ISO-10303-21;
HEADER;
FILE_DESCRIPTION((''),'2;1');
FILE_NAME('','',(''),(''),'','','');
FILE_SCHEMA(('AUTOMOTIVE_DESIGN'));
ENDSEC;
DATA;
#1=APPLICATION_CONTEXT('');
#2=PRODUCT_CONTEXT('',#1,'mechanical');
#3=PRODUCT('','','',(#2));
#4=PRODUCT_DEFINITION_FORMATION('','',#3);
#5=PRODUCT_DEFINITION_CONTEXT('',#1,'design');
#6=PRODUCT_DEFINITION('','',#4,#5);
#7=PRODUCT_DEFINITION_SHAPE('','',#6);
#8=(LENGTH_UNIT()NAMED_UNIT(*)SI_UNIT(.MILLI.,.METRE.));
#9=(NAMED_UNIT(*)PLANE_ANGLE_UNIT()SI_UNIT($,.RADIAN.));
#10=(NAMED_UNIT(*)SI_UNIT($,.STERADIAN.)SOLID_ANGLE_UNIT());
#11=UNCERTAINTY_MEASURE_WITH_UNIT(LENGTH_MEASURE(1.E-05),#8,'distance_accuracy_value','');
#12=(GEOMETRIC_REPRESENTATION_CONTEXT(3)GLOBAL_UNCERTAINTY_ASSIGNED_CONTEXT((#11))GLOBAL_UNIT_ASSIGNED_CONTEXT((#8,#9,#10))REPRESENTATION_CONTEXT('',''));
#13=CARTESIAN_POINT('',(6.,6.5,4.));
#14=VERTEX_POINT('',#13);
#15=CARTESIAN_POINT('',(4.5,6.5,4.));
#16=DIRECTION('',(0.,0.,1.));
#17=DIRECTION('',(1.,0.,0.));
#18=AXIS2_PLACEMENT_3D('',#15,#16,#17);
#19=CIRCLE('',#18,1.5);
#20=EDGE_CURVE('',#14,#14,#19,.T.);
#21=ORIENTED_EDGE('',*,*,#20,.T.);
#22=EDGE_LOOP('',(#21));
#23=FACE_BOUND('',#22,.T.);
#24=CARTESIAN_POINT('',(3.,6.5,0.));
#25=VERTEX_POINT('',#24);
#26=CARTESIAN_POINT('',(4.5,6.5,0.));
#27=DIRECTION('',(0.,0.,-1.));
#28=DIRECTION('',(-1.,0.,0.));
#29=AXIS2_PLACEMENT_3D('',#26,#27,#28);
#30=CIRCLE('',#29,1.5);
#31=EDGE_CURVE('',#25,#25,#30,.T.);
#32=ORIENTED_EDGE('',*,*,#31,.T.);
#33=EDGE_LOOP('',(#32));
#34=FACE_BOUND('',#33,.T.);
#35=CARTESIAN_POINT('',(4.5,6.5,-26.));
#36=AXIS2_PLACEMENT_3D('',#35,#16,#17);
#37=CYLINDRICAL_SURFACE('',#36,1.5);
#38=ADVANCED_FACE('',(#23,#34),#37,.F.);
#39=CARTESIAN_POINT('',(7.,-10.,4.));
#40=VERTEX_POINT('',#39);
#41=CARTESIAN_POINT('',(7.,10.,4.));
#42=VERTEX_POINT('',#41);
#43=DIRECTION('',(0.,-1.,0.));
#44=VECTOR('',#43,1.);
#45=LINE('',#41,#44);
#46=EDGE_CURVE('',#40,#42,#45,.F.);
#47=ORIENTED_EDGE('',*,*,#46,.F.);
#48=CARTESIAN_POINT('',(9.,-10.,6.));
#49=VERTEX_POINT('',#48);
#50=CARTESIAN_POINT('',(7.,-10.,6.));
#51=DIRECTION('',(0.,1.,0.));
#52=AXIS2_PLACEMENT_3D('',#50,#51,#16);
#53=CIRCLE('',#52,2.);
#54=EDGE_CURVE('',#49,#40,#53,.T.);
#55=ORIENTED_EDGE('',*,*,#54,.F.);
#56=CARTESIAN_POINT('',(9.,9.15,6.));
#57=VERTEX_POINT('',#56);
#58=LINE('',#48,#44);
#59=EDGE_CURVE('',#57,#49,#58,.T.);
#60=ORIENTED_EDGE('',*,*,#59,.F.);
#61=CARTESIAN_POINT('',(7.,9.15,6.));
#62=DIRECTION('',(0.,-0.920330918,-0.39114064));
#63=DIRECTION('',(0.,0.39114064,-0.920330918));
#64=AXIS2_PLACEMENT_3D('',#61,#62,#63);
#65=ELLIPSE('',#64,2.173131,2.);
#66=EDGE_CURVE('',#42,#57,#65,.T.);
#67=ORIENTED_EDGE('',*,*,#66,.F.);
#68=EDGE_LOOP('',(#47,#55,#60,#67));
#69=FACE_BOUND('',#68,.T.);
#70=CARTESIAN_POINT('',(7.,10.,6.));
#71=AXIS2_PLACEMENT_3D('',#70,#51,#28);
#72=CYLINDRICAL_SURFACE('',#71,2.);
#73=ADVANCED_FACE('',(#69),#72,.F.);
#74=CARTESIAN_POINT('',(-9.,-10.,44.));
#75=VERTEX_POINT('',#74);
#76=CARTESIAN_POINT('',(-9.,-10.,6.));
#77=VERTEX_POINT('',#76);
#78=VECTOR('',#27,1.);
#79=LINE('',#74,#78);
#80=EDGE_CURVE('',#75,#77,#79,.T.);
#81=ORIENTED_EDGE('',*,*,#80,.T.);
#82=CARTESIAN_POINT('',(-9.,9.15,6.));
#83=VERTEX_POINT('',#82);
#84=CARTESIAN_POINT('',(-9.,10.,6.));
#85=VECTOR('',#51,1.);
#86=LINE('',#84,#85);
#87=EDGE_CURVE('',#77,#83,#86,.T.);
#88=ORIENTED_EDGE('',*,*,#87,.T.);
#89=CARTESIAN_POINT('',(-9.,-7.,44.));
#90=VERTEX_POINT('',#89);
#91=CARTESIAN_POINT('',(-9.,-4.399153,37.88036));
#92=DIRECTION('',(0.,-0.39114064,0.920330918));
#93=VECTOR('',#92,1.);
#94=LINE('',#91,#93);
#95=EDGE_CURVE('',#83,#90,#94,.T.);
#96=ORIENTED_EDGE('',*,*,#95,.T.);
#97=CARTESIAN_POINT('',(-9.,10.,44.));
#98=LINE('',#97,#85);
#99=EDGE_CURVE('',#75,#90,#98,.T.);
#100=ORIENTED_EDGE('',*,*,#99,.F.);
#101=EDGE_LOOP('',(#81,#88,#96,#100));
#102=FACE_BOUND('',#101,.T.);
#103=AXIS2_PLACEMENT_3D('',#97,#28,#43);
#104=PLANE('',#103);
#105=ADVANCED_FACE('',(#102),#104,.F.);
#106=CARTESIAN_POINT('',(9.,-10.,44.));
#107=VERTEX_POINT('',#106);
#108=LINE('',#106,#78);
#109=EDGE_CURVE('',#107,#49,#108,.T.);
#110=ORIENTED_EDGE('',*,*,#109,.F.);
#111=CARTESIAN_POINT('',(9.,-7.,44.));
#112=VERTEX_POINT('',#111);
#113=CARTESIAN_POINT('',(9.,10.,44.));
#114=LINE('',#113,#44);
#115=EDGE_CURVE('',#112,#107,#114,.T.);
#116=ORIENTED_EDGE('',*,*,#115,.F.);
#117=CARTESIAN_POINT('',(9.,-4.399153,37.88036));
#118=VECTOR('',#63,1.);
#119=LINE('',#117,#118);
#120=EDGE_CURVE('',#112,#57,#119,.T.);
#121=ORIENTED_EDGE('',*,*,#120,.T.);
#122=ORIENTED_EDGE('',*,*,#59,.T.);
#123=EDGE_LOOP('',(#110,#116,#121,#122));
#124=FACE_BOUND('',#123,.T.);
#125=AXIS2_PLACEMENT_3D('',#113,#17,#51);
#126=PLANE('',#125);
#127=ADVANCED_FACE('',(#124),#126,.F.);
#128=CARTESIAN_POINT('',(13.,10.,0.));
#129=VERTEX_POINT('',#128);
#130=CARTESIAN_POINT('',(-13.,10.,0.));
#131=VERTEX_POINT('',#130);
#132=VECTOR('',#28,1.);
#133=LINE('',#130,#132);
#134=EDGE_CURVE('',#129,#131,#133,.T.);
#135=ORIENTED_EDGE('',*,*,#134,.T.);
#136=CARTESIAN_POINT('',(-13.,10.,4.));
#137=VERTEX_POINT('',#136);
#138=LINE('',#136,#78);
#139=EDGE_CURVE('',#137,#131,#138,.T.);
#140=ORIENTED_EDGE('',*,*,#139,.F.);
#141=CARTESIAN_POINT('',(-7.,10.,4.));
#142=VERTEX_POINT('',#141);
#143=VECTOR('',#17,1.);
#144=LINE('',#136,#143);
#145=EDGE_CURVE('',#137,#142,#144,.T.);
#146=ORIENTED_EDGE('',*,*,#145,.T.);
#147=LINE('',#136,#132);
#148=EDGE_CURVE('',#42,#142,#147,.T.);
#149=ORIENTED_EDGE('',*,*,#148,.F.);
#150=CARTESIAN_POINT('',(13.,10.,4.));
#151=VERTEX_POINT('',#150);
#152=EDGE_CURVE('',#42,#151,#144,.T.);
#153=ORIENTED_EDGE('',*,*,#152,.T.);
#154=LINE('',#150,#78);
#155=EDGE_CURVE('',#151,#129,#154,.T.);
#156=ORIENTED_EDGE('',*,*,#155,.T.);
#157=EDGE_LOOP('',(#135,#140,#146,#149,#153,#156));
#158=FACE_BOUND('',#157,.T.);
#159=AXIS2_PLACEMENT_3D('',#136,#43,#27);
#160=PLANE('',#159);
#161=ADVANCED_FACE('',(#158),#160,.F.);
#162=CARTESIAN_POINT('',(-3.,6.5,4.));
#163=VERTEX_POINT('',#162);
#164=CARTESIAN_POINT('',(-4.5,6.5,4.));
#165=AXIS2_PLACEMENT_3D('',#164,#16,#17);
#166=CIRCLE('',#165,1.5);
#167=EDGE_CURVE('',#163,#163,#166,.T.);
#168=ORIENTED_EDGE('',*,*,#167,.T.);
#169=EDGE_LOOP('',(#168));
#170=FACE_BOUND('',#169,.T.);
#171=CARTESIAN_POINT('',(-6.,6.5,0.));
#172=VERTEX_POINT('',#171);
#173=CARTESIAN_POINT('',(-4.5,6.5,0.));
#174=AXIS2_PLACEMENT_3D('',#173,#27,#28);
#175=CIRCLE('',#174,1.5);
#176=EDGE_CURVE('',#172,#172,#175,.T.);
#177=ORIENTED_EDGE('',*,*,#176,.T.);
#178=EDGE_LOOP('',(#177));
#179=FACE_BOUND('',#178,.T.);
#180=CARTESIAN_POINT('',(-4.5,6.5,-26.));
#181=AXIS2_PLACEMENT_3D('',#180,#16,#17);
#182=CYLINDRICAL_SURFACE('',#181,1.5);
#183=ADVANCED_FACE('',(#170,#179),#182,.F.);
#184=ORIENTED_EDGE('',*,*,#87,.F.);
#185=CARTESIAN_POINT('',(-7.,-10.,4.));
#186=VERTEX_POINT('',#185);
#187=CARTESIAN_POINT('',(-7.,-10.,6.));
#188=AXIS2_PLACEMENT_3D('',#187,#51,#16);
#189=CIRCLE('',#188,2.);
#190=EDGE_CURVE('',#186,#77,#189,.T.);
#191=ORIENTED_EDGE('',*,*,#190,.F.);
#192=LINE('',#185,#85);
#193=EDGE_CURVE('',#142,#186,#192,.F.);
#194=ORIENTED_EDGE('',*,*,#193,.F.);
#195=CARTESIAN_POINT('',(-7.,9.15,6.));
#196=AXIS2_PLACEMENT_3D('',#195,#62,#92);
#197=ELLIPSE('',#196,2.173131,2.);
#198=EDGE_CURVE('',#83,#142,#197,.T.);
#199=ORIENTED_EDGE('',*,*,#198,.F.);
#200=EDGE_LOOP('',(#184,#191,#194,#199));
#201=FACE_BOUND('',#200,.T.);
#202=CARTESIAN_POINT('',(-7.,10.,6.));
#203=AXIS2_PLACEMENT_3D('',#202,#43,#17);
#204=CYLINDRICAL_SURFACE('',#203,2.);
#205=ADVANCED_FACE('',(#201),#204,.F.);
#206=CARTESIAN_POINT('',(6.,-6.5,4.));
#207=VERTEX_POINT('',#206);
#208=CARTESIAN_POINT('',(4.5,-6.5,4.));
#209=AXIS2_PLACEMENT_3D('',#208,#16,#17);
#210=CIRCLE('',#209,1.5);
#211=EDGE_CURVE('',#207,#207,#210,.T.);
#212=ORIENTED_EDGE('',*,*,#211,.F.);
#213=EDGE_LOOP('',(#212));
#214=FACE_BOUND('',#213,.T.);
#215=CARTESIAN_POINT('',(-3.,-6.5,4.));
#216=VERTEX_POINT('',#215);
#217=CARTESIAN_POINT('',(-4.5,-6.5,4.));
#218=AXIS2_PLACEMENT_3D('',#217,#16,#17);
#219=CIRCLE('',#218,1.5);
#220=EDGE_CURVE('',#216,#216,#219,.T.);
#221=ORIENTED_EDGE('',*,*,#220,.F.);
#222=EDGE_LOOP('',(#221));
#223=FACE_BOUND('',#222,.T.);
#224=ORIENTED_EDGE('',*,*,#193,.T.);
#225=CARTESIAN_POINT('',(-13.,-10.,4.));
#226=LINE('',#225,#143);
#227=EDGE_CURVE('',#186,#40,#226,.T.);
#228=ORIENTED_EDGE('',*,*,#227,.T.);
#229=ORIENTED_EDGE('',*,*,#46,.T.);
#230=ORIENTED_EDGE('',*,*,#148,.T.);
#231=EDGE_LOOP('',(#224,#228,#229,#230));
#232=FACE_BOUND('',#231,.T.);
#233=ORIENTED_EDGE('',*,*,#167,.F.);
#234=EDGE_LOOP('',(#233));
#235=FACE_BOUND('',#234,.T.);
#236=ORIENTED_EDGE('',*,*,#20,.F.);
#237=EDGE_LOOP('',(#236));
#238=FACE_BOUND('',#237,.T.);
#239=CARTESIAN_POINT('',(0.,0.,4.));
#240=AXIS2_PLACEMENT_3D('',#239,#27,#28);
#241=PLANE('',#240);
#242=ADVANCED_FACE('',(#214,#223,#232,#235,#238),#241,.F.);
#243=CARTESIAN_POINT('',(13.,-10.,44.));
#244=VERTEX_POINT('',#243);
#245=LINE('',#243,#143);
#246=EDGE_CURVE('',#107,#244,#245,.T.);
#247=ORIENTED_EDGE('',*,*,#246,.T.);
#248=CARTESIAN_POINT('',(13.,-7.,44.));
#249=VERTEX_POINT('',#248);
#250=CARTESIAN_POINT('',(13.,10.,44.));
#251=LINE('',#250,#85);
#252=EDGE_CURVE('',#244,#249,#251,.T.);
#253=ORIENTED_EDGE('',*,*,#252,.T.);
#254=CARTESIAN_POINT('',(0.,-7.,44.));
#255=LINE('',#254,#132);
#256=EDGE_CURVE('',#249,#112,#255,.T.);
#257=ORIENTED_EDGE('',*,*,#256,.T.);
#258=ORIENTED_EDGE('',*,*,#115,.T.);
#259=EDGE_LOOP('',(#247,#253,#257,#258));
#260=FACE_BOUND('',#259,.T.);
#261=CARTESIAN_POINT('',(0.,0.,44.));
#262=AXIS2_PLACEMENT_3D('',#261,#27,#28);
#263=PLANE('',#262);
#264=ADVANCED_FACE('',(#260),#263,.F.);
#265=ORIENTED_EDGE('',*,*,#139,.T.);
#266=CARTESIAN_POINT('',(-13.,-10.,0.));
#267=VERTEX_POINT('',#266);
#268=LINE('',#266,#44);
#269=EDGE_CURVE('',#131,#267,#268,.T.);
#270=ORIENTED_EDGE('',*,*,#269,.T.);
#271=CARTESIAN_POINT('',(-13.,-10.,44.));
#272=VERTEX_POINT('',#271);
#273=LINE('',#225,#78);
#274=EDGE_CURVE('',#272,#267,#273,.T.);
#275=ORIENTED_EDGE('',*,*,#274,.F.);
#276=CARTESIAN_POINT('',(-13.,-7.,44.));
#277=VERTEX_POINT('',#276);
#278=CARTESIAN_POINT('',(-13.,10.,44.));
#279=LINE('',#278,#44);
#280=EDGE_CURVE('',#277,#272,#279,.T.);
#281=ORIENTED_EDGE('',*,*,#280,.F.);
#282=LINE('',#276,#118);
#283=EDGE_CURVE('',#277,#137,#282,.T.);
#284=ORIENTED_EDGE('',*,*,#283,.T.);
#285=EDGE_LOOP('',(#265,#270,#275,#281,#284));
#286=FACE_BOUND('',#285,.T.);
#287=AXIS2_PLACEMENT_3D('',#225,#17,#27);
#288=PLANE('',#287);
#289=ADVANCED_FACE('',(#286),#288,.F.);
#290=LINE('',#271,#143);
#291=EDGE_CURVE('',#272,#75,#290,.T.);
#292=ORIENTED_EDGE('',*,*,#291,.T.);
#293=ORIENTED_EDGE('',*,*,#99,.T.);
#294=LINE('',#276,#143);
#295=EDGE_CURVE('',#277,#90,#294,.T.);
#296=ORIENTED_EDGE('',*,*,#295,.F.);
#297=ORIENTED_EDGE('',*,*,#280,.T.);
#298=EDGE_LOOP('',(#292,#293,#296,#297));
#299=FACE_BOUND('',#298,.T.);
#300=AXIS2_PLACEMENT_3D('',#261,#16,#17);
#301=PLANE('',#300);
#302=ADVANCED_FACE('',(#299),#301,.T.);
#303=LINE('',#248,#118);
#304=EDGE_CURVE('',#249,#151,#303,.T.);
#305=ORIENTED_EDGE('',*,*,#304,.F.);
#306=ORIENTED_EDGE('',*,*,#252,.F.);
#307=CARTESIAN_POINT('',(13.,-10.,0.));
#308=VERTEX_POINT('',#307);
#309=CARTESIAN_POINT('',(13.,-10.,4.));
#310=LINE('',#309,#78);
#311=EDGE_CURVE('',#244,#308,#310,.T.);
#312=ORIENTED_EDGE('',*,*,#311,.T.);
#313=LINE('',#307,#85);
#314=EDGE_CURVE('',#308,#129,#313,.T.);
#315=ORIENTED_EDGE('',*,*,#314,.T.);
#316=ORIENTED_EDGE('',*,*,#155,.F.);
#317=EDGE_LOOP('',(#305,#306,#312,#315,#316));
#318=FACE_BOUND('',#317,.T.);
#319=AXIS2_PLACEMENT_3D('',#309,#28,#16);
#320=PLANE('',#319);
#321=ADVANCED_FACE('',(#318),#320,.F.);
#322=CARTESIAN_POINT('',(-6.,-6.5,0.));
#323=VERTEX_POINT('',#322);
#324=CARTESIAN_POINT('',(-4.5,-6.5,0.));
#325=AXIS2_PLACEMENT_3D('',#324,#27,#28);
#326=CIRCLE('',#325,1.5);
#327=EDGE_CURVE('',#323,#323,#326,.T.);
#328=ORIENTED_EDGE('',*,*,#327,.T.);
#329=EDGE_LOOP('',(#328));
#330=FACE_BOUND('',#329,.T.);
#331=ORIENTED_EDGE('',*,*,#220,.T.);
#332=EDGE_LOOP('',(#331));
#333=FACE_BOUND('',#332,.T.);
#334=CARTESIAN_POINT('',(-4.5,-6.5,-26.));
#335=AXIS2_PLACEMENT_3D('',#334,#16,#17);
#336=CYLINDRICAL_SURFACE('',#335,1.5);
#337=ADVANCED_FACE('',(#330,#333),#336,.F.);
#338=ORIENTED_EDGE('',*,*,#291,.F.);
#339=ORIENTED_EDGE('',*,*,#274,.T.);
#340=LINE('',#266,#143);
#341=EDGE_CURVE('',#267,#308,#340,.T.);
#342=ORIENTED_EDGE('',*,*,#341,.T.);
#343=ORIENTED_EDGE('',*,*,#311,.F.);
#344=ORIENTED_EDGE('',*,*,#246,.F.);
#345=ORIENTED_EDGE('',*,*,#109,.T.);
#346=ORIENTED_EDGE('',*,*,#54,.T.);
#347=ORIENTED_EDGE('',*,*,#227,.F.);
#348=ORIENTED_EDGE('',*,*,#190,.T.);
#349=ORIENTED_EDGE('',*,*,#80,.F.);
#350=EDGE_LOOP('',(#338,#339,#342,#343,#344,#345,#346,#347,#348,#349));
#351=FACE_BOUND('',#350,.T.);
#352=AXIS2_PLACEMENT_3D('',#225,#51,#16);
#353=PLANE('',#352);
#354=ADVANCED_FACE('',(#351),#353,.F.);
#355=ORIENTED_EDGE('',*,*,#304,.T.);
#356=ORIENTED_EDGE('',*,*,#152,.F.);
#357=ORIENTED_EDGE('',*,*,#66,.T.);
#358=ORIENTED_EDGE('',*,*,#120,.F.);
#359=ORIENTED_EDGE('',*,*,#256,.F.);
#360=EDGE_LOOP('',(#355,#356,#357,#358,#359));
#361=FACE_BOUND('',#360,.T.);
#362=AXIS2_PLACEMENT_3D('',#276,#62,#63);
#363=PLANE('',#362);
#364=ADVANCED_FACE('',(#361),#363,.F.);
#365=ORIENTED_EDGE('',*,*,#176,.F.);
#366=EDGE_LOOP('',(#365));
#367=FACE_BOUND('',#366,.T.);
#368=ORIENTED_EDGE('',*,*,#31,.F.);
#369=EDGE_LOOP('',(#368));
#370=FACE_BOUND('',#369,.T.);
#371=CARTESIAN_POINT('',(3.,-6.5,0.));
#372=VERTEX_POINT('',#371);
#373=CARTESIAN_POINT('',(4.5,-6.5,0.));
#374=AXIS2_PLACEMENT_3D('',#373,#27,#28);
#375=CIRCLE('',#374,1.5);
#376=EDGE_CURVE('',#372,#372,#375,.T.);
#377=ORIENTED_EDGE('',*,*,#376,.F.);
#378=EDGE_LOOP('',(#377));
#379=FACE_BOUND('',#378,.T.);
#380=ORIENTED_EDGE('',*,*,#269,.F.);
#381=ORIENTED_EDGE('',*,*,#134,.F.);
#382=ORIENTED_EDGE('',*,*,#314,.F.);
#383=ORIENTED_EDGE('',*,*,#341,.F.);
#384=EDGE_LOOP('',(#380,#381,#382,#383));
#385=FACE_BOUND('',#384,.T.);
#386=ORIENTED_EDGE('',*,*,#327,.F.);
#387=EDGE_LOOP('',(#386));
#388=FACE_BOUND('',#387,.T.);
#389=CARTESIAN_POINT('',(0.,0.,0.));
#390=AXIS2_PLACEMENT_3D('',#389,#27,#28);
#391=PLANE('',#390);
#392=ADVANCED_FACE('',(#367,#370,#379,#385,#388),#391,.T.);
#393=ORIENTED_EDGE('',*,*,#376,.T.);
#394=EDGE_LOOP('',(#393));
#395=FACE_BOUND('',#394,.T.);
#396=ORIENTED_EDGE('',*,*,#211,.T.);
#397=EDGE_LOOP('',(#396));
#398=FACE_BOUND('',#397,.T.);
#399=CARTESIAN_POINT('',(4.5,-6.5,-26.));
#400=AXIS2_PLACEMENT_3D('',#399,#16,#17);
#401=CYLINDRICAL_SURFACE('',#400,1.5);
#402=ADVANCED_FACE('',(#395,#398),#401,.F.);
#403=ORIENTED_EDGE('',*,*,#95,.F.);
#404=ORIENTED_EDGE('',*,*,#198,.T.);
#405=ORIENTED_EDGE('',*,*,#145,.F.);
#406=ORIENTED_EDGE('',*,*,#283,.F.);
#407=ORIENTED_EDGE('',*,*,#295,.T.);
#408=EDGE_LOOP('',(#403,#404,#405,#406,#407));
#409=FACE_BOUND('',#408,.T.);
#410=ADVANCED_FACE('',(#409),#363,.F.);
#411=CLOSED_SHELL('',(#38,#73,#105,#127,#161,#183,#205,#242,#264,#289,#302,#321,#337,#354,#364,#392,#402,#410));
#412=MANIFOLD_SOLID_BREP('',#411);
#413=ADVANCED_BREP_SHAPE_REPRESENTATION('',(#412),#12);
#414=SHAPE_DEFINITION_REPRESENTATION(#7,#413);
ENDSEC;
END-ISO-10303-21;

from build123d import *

# Parameters (mm, degrees)
SKETCH_1_W          = 26
SKETCH_1_H          = 20
EXTRUDE_1_DEPTH     = 4
SKETCH_2_W          = 4
SKETCH_2_H          = 20
EXTRUDE_2_DEPTH     = 40
SKETCH_3_R          = 1.5
CUT_EXTRUDE_1_DEPTH = 30
CUT_EXTRUDE_2_DEPTH = 53.076866265
FILLET_1_R          = 2


with BuildPart() as part:
    # 草图1 → 凸台-拉伸1 (new body)
    with BuildSketch(Plane.XY):
        Rectangle(SKETCH_1_W, SKETCH_1_H)
    extrude(amount=EXTRUDE_1_DEPTH)

    # 草图2 → 凸台-拉伸2 (add)
    with BuildSketch(Plane.XY.offset(4)):
        with Locations((-11, 0)):
            Rectangle(SKETCH_2_W, SKETCH_2_H)
        with Locations((11, 0)):
            Rectangle(SKETCH_2_W, SKETCH_2_H)
    extrude(amount=EXTRUDE_2_DEPTH)

    # 草图3 → 切除-拉伸1 (cut)
    with BuildSketch(Plane.XY.offset(4)):
        with Locations((-4.5, 6.5)):
            Circle(SKETCH_3_R)
        with Locations((4.5, 6.5)):
            Circle(SKETCH_3_R)
        with Locations((4.5, -6.5)):
            Circle(SKETCH_3_R)
        with Locations((-4.5, -6.5)):
            Circle(SKETCH_3_R)
    extrude(amount=-CUT_EXTRUDE_1_DEPTH, mode=Mode.SUBTRACT)

    # 草图4 → 切除-拉伸2 (cut, through all)
    with BuildSketch(Plane(origin=(13, 0, 0), x_dir=(0, 0, -1), z_dir=(1, 0, 0))):
        Polygon((-44, -7), (-4, 10), (-44, 10), align=None)
    extrude(amount=-CUT_EXTRUDE_2_DEPTH, mode=Mode.SUBTRACT)

    # 圆角1
    fillet_1_edges = [part.edges().sort_by_distance(p)[0] for p in [
        (-9, 0, 4),
        (9, 0, 4),
    ]]
    fillet(fillet_1_edges, radius=FILLET_1_R)


solid = part.part
